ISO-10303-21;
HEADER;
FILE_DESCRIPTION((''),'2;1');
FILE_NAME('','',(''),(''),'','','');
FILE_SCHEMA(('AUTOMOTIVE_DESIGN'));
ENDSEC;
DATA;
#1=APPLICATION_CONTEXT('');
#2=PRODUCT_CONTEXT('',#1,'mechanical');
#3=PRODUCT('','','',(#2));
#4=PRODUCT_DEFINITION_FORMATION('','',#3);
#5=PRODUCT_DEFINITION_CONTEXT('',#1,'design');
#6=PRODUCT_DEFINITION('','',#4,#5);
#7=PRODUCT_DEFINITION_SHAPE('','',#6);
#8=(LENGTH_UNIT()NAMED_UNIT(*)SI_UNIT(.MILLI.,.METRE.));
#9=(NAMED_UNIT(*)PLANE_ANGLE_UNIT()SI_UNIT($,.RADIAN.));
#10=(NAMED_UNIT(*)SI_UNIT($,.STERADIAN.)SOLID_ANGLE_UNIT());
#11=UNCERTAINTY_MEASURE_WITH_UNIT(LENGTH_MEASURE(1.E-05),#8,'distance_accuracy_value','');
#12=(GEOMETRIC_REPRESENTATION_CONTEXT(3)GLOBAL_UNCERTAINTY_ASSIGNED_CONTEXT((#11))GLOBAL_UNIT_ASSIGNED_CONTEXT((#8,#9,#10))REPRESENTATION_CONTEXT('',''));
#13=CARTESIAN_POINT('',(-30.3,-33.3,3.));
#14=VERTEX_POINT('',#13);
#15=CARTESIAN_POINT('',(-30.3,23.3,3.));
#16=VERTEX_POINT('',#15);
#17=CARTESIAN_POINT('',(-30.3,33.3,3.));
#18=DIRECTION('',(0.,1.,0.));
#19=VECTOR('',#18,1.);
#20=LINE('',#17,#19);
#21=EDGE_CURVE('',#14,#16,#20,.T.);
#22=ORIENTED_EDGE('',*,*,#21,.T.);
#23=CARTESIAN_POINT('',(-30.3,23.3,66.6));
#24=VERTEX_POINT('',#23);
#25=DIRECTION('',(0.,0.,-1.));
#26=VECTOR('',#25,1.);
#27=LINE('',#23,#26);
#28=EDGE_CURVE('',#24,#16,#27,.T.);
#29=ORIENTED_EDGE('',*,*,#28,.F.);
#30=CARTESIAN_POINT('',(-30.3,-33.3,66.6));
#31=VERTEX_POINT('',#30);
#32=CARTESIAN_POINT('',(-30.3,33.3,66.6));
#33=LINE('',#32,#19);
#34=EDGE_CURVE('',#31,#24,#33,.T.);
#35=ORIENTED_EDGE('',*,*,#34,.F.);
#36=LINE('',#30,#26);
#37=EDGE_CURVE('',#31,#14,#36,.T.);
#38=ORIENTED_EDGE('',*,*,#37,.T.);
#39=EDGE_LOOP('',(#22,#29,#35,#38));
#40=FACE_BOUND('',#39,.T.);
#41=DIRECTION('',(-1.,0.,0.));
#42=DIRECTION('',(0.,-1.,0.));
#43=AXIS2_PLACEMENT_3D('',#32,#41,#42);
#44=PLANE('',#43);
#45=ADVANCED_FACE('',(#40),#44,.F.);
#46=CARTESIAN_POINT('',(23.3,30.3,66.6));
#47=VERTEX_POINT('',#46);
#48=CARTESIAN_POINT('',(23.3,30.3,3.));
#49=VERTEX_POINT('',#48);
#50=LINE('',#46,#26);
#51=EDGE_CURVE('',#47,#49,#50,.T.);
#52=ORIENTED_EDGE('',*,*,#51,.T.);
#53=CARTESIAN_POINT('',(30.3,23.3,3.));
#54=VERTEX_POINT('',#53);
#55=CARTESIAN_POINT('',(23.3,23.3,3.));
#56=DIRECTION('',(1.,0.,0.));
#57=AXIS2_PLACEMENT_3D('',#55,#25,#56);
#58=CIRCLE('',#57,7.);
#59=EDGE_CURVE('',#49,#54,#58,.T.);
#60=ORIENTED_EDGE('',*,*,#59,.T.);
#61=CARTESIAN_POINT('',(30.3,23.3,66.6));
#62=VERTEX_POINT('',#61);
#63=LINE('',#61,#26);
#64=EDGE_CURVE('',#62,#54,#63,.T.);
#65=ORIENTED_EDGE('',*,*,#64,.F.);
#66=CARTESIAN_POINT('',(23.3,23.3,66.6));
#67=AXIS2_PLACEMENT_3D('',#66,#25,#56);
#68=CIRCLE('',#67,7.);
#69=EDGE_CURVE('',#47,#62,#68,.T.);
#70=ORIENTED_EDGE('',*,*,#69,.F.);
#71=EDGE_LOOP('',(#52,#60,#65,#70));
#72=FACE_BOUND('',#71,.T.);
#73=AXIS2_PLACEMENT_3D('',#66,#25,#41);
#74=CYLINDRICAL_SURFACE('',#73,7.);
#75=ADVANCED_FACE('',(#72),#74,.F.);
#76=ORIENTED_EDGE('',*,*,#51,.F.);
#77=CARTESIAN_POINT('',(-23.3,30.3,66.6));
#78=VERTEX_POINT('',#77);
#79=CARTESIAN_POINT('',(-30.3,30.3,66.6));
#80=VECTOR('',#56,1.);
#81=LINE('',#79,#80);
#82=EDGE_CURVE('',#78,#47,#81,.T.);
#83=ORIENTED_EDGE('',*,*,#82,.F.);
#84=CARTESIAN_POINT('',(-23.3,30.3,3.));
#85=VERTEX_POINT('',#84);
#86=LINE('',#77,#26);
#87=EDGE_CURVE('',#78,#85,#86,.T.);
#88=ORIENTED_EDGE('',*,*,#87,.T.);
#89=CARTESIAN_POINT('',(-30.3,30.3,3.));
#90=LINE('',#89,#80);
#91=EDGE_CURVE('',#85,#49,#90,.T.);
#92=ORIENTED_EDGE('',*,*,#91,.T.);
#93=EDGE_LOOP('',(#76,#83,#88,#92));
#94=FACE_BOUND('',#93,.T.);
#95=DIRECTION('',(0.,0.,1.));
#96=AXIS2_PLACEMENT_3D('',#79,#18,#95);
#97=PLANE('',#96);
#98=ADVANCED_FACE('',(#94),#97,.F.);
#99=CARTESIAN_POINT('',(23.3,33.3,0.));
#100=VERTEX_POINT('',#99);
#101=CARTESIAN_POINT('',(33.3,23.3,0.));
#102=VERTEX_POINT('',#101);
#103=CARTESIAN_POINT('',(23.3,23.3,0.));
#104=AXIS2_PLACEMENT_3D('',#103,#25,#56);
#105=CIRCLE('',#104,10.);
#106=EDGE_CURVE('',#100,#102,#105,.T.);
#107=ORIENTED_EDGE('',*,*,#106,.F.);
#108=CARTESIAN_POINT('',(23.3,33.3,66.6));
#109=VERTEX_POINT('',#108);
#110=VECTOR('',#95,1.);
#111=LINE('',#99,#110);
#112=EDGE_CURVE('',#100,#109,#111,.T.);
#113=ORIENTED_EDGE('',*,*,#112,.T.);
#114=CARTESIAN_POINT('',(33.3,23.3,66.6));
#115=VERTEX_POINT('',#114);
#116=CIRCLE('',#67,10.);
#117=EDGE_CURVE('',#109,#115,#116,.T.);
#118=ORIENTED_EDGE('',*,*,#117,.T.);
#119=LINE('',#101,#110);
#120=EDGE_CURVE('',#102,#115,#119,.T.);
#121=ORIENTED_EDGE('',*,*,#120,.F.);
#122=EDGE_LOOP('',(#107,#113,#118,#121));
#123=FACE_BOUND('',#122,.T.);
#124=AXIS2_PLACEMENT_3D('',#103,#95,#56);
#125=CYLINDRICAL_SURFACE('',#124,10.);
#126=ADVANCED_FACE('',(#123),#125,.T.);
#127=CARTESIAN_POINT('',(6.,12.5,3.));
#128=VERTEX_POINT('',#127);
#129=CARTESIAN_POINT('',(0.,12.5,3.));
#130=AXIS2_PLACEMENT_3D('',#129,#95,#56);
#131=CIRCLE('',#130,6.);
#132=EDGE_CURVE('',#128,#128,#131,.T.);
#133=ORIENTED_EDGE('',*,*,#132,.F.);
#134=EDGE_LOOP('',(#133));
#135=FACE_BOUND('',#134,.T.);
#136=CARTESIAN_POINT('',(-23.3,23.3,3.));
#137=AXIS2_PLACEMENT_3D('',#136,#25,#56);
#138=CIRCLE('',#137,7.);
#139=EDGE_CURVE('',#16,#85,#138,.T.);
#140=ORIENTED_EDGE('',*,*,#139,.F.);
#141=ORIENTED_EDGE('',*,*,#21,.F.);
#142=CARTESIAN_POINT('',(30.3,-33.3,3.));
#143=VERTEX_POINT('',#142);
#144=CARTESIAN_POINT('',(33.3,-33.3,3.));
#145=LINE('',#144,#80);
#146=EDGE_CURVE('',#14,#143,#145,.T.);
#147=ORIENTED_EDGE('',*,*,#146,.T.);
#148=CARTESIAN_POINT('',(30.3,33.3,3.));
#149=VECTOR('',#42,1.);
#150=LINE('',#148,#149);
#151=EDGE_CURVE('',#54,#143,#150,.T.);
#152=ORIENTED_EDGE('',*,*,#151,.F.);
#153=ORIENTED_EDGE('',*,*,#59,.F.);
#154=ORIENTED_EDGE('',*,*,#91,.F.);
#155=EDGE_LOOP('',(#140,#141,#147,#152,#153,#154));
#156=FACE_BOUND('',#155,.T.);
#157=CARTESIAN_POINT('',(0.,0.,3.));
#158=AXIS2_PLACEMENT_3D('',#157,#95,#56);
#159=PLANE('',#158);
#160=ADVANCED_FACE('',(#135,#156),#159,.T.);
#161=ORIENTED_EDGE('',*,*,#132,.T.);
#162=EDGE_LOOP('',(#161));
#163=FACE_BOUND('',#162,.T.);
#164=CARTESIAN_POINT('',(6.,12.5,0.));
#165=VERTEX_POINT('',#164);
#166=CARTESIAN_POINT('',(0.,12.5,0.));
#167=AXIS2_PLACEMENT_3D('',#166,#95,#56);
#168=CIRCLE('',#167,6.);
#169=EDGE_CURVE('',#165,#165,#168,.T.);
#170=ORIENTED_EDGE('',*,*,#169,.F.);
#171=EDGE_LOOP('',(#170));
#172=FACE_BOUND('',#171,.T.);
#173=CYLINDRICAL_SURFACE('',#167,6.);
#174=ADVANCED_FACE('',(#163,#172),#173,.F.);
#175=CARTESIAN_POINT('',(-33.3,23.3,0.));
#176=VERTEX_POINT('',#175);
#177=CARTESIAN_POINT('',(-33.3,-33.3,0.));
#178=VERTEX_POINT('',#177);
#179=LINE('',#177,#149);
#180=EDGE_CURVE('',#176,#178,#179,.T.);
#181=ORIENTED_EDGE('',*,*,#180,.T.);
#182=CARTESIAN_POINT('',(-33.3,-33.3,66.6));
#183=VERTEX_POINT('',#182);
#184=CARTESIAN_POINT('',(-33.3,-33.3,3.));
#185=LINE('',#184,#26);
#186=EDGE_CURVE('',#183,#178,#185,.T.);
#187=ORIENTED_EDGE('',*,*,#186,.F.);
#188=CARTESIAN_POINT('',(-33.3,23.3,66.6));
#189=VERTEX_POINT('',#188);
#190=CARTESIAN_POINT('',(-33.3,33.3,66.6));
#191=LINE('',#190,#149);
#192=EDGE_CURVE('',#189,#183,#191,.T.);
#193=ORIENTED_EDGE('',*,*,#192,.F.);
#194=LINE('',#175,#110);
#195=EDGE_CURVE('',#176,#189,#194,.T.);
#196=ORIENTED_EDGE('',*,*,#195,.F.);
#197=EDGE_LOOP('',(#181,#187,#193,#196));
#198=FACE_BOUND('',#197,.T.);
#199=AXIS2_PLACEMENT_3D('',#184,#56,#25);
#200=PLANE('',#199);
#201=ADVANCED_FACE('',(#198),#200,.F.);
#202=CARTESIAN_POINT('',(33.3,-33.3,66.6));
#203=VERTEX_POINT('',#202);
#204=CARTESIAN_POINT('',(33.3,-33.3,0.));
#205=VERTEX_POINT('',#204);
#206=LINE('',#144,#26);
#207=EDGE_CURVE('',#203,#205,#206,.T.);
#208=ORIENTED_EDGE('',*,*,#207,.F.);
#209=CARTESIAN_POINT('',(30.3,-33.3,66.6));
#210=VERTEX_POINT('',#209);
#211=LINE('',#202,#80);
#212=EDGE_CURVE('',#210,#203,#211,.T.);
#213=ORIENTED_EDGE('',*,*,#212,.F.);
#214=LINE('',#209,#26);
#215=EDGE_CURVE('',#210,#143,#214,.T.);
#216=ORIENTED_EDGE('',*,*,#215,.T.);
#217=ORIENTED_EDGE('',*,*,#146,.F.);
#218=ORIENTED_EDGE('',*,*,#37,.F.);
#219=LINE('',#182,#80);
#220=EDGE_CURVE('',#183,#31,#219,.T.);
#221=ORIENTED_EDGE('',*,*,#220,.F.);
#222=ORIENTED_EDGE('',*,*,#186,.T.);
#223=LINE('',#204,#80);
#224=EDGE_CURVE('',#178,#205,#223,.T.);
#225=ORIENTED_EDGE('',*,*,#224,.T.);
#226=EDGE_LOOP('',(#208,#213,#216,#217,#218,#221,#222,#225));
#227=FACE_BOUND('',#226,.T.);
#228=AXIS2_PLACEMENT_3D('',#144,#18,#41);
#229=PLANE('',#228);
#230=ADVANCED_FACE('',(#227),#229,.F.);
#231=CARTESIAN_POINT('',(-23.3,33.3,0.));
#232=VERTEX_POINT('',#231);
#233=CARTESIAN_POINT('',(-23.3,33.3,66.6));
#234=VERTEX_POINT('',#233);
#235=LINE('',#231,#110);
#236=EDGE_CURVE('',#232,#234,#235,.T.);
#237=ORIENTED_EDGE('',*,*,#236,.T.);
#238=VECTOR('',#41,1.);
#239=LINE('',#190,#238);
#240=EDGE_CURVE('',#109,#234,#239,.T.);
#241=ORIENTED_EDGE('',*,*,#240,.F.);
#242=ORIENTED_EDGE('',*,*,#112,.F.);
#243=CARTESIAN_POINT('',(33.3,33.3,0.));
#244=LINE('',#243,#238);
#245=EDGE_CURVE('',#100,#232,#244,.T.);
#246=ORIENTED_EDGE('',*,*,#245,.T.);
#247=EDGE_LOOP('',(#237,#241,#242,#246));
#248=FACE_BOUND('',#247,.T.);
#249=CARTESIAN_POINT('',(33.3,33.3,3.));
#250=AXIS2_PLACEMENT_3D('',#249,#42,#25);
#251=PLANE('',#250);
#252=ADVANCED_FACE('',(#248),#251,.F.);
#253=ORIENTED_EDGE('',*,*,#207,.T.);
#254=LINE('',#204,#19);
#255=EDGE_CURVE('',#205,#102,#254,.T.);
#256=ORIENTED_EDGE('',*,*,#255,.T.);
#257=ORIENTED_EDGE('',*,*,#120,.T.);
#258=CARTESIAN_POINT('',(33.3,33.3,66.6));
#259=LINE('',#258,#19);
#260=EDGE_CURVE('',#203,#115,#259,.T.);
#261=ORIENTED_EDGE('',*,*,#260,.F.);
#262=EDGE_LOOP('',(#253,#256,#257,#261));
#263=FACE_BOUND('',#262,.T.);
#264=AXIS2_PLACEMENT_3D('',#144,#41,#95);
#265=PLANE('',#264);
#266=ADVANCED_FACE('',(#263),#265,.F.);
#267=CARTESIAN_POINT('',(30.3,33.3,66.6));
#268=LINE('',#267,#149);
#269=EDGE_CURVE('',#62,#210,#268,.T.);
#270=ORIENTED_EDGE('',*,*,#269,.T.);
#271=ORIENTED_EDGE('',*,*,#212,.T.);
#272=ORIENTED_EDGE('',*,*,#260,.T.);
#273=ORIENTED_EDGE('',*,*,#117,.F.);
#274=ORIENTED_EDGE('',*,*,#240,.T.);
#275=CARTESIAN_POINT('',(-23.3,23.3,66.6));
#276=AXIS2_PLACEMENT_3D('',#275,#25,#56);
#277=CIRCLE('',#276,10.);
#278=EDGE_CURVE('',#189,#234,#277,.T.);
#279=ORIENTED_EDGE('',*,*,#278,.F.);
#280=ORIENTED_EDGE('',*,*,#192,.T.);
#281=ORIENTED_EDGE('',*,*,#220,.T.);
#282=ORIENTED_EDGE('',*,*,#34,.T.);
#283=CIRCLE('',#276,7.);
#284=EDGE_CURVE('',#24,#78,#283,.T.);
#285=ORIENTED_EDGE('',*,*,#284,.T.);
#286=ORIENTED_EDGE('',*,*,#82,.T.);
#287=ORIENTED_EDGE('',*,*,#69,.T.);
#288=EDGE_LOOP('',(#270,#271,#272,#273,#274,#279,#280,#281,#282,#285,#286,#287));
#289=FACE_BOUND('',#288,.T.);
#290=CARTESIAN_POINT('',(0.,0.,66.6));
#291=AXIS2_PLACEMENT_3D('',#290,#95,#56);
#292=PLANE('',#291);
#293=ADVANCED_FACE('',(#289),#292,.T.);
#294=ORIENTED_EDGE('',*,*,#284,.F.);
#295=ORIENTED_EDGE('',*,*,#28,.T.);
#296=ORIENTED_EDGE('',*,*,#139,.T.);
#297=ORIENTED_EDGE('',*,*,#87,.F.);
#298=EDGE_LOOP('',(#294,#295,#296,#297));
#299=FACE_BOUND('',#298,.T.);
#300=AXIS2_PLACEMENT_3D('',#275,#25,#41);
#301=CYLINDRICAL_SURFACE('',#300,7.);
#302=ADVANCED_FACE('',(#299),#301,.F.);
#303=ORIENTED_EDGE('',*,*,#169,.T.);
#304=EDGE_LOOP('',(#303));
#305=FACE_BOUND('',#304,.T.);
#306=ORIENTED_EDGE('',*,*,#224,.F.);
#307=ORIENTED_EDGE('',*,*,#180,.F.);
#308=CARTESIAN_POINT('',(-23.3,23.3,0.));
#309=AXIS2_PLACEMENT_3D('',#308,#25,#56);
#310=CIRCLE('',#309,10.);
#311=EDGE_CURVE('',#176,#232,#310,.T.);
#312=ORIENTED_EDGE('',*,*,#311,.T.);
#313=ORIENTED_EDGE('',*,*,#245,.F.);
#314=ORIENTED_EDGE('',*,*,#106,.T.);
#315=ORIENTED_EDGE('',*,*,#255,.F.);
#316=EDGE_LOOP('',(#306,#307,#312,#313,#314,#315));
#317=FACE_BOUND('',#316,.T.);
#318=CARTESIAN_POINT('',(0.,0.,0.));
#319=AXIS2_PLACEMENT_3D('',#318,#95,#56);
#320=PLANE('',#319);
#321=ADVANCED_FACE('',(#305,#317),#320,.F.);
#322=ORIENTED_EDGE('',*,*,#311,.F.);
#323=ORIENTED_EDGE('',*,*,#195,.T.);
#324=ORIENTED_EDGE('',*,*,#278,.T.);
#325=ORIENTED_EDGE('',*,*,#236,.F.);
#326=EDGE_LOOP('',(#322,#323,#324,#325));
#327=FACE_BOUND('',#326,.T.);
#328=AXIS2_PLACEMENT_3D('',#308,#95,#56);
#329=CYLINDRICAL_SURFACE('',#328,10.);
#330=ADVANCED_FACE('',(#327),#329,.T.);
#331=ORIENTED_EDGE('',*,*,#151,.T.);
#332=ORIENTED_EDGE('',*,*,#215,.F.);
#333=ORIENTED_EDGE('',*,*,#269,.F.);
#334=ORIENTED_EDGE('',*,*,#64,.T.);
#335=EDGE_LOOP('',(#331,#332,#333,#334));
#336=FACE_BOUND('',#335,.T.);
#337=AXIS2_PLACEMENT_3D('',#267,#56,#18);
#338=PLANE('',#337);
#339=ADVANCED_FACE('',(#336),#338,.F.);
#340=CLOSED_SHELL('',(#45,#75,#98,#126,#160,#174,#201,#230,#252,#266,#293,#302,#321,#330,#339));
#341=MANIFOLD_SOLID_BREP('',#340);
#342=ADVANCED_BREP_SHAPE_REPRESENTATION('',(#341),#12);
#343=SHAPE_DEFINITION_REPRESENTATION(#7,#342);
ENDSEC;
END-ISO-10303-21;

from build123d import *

# Parameters (mm, degrees)
SCHIZZO1_W                   = 66.6
SCHIZZO1_H                   = 66.6
ESTRUSIONE_ESTRUSIONE1_DEPTH = 3
SCHIZZO2_W                   = 3
SCHIZZO2_H                   = 66.6
ESTRUSIONE_ESTRUSIONE2_DEPTH = 63.6
SCHIZZO6_W                   = 60.6
SCHIZZO6_H                   = 3
ESTRUSIONE_ESTRUSIONE4_DEPTH = 63.6
TAGLIO_ESTRUSIONE2_DEPTH     = 66.6
ESTRUSIONE_ESTRUSIONE5_DEPTH = 63.6
SCHIZZO9_R                   = 6
TAGLIO_ESTRUSIONE4_DEPTH     = 94.9479111


with BuildPart() as part:
    # Schizzo1 → Estrusione-Estrusione1 (new body)
    with BuildSketch(Plane.XY):
        Rectangle(SCHIZZO1_W, SCHIZZO1_H)
    extrude(amount=ESTRUSIONE_ESTRUSIONE1_DEPTH)

    # Schizzo2 → Estrusione-Estrusione2 (add)
    with BuildSketch(Plane.XY.offset(3)):
        with Locations((-31.8, 0)):
            Rectangle(SCHIZZO2_W, SCHIZZO2_H)
        with Locations((31.8, 0)):
            Rectangle(SCHIZZO2_W, SCHIZZO2_H)
    extrude(amount=ESTRUSIONE_ESTRUSIONE2_DEPTH)

    # Schizzo6 → Estrusione-Estrusione4 (add)
    with BuildSketch(Plane.XY.offset(3)):
        with Locations((0, 31.8)):
            Rectangle(SCHIZZO6_W, SCHIZZO6_H)
    extrude(amount=ESTRUSIONE_ESTRUSIONE4_DEPTH)

    # Schizzo7 → Taglio-Estrusione2 (cut)
    with BuildSketch(Plane.XY.offset(66.6)):
        with BuildLine():
            Line((-33.3, 23.3), (-33.3, 33.3))
            Line((-33.3, 33.3), (-23.3, 33.3))
            ThreePointArc((-23.3, 33.3), (-30.371067812, 30.371067812), (-33.3, 23.3))
        make_face()
        with BuildLine():
            Line((33.3, 33.3), (33.3, 23.3))
            ThreePointArc((33.3, 23.3), (30.371067812, 30.371067812), (23.3, 33.3))
            Line((23.3, 33.3), (33.3, 33.3))
        make_face()
    extrude(amount=-TAGLIO_ESTRUSIONE2_DEPTH, mode=Mode.SUBTRACT)

    # Schizzo8 → Estrusione-Estrusione5 (add)
    with BuildSketch(Plane.XY.offset(3)):
        with BuildLine():
            Line((-30.3, 23.3), (-30.3, 30.3))
            Line((-30.3, 30.3), (-23.3, 30.3))
            ThreePointArc((-23.3, 30.3), (-28.249747468, 28.249747468), (-30.3, 23.3))
        make_face()
        with BuildLine():
            Line((30.3, 30.3), (30.3, 23.3))
            ThreePointArc((30.3, 23.3), (28.249747468, 28.249747468), (23.3, 30.3))
            Line((23.3, 30.3), (30.3, 30.3))
        make_face()
    extrude(amount=ESTRUSIONE_ESTRUSIONE5_DEPTH)

    # Schizzo9 → Taglio-Estrusione4 (cut, through all)
    with BuildSketch(Plane(origin=(0, 27.3, 3), x_dir=(1, 0, 0), z_dir=(0, 0, 1))):
        with Locations((0, -14.8)):
            Circle(SCHIZZO9_R)
    extrude(amount=-TAGLIO_ESTRUSIONE4_DEPTH, mode=Mode.SUBTRACT)


solid = part.part
